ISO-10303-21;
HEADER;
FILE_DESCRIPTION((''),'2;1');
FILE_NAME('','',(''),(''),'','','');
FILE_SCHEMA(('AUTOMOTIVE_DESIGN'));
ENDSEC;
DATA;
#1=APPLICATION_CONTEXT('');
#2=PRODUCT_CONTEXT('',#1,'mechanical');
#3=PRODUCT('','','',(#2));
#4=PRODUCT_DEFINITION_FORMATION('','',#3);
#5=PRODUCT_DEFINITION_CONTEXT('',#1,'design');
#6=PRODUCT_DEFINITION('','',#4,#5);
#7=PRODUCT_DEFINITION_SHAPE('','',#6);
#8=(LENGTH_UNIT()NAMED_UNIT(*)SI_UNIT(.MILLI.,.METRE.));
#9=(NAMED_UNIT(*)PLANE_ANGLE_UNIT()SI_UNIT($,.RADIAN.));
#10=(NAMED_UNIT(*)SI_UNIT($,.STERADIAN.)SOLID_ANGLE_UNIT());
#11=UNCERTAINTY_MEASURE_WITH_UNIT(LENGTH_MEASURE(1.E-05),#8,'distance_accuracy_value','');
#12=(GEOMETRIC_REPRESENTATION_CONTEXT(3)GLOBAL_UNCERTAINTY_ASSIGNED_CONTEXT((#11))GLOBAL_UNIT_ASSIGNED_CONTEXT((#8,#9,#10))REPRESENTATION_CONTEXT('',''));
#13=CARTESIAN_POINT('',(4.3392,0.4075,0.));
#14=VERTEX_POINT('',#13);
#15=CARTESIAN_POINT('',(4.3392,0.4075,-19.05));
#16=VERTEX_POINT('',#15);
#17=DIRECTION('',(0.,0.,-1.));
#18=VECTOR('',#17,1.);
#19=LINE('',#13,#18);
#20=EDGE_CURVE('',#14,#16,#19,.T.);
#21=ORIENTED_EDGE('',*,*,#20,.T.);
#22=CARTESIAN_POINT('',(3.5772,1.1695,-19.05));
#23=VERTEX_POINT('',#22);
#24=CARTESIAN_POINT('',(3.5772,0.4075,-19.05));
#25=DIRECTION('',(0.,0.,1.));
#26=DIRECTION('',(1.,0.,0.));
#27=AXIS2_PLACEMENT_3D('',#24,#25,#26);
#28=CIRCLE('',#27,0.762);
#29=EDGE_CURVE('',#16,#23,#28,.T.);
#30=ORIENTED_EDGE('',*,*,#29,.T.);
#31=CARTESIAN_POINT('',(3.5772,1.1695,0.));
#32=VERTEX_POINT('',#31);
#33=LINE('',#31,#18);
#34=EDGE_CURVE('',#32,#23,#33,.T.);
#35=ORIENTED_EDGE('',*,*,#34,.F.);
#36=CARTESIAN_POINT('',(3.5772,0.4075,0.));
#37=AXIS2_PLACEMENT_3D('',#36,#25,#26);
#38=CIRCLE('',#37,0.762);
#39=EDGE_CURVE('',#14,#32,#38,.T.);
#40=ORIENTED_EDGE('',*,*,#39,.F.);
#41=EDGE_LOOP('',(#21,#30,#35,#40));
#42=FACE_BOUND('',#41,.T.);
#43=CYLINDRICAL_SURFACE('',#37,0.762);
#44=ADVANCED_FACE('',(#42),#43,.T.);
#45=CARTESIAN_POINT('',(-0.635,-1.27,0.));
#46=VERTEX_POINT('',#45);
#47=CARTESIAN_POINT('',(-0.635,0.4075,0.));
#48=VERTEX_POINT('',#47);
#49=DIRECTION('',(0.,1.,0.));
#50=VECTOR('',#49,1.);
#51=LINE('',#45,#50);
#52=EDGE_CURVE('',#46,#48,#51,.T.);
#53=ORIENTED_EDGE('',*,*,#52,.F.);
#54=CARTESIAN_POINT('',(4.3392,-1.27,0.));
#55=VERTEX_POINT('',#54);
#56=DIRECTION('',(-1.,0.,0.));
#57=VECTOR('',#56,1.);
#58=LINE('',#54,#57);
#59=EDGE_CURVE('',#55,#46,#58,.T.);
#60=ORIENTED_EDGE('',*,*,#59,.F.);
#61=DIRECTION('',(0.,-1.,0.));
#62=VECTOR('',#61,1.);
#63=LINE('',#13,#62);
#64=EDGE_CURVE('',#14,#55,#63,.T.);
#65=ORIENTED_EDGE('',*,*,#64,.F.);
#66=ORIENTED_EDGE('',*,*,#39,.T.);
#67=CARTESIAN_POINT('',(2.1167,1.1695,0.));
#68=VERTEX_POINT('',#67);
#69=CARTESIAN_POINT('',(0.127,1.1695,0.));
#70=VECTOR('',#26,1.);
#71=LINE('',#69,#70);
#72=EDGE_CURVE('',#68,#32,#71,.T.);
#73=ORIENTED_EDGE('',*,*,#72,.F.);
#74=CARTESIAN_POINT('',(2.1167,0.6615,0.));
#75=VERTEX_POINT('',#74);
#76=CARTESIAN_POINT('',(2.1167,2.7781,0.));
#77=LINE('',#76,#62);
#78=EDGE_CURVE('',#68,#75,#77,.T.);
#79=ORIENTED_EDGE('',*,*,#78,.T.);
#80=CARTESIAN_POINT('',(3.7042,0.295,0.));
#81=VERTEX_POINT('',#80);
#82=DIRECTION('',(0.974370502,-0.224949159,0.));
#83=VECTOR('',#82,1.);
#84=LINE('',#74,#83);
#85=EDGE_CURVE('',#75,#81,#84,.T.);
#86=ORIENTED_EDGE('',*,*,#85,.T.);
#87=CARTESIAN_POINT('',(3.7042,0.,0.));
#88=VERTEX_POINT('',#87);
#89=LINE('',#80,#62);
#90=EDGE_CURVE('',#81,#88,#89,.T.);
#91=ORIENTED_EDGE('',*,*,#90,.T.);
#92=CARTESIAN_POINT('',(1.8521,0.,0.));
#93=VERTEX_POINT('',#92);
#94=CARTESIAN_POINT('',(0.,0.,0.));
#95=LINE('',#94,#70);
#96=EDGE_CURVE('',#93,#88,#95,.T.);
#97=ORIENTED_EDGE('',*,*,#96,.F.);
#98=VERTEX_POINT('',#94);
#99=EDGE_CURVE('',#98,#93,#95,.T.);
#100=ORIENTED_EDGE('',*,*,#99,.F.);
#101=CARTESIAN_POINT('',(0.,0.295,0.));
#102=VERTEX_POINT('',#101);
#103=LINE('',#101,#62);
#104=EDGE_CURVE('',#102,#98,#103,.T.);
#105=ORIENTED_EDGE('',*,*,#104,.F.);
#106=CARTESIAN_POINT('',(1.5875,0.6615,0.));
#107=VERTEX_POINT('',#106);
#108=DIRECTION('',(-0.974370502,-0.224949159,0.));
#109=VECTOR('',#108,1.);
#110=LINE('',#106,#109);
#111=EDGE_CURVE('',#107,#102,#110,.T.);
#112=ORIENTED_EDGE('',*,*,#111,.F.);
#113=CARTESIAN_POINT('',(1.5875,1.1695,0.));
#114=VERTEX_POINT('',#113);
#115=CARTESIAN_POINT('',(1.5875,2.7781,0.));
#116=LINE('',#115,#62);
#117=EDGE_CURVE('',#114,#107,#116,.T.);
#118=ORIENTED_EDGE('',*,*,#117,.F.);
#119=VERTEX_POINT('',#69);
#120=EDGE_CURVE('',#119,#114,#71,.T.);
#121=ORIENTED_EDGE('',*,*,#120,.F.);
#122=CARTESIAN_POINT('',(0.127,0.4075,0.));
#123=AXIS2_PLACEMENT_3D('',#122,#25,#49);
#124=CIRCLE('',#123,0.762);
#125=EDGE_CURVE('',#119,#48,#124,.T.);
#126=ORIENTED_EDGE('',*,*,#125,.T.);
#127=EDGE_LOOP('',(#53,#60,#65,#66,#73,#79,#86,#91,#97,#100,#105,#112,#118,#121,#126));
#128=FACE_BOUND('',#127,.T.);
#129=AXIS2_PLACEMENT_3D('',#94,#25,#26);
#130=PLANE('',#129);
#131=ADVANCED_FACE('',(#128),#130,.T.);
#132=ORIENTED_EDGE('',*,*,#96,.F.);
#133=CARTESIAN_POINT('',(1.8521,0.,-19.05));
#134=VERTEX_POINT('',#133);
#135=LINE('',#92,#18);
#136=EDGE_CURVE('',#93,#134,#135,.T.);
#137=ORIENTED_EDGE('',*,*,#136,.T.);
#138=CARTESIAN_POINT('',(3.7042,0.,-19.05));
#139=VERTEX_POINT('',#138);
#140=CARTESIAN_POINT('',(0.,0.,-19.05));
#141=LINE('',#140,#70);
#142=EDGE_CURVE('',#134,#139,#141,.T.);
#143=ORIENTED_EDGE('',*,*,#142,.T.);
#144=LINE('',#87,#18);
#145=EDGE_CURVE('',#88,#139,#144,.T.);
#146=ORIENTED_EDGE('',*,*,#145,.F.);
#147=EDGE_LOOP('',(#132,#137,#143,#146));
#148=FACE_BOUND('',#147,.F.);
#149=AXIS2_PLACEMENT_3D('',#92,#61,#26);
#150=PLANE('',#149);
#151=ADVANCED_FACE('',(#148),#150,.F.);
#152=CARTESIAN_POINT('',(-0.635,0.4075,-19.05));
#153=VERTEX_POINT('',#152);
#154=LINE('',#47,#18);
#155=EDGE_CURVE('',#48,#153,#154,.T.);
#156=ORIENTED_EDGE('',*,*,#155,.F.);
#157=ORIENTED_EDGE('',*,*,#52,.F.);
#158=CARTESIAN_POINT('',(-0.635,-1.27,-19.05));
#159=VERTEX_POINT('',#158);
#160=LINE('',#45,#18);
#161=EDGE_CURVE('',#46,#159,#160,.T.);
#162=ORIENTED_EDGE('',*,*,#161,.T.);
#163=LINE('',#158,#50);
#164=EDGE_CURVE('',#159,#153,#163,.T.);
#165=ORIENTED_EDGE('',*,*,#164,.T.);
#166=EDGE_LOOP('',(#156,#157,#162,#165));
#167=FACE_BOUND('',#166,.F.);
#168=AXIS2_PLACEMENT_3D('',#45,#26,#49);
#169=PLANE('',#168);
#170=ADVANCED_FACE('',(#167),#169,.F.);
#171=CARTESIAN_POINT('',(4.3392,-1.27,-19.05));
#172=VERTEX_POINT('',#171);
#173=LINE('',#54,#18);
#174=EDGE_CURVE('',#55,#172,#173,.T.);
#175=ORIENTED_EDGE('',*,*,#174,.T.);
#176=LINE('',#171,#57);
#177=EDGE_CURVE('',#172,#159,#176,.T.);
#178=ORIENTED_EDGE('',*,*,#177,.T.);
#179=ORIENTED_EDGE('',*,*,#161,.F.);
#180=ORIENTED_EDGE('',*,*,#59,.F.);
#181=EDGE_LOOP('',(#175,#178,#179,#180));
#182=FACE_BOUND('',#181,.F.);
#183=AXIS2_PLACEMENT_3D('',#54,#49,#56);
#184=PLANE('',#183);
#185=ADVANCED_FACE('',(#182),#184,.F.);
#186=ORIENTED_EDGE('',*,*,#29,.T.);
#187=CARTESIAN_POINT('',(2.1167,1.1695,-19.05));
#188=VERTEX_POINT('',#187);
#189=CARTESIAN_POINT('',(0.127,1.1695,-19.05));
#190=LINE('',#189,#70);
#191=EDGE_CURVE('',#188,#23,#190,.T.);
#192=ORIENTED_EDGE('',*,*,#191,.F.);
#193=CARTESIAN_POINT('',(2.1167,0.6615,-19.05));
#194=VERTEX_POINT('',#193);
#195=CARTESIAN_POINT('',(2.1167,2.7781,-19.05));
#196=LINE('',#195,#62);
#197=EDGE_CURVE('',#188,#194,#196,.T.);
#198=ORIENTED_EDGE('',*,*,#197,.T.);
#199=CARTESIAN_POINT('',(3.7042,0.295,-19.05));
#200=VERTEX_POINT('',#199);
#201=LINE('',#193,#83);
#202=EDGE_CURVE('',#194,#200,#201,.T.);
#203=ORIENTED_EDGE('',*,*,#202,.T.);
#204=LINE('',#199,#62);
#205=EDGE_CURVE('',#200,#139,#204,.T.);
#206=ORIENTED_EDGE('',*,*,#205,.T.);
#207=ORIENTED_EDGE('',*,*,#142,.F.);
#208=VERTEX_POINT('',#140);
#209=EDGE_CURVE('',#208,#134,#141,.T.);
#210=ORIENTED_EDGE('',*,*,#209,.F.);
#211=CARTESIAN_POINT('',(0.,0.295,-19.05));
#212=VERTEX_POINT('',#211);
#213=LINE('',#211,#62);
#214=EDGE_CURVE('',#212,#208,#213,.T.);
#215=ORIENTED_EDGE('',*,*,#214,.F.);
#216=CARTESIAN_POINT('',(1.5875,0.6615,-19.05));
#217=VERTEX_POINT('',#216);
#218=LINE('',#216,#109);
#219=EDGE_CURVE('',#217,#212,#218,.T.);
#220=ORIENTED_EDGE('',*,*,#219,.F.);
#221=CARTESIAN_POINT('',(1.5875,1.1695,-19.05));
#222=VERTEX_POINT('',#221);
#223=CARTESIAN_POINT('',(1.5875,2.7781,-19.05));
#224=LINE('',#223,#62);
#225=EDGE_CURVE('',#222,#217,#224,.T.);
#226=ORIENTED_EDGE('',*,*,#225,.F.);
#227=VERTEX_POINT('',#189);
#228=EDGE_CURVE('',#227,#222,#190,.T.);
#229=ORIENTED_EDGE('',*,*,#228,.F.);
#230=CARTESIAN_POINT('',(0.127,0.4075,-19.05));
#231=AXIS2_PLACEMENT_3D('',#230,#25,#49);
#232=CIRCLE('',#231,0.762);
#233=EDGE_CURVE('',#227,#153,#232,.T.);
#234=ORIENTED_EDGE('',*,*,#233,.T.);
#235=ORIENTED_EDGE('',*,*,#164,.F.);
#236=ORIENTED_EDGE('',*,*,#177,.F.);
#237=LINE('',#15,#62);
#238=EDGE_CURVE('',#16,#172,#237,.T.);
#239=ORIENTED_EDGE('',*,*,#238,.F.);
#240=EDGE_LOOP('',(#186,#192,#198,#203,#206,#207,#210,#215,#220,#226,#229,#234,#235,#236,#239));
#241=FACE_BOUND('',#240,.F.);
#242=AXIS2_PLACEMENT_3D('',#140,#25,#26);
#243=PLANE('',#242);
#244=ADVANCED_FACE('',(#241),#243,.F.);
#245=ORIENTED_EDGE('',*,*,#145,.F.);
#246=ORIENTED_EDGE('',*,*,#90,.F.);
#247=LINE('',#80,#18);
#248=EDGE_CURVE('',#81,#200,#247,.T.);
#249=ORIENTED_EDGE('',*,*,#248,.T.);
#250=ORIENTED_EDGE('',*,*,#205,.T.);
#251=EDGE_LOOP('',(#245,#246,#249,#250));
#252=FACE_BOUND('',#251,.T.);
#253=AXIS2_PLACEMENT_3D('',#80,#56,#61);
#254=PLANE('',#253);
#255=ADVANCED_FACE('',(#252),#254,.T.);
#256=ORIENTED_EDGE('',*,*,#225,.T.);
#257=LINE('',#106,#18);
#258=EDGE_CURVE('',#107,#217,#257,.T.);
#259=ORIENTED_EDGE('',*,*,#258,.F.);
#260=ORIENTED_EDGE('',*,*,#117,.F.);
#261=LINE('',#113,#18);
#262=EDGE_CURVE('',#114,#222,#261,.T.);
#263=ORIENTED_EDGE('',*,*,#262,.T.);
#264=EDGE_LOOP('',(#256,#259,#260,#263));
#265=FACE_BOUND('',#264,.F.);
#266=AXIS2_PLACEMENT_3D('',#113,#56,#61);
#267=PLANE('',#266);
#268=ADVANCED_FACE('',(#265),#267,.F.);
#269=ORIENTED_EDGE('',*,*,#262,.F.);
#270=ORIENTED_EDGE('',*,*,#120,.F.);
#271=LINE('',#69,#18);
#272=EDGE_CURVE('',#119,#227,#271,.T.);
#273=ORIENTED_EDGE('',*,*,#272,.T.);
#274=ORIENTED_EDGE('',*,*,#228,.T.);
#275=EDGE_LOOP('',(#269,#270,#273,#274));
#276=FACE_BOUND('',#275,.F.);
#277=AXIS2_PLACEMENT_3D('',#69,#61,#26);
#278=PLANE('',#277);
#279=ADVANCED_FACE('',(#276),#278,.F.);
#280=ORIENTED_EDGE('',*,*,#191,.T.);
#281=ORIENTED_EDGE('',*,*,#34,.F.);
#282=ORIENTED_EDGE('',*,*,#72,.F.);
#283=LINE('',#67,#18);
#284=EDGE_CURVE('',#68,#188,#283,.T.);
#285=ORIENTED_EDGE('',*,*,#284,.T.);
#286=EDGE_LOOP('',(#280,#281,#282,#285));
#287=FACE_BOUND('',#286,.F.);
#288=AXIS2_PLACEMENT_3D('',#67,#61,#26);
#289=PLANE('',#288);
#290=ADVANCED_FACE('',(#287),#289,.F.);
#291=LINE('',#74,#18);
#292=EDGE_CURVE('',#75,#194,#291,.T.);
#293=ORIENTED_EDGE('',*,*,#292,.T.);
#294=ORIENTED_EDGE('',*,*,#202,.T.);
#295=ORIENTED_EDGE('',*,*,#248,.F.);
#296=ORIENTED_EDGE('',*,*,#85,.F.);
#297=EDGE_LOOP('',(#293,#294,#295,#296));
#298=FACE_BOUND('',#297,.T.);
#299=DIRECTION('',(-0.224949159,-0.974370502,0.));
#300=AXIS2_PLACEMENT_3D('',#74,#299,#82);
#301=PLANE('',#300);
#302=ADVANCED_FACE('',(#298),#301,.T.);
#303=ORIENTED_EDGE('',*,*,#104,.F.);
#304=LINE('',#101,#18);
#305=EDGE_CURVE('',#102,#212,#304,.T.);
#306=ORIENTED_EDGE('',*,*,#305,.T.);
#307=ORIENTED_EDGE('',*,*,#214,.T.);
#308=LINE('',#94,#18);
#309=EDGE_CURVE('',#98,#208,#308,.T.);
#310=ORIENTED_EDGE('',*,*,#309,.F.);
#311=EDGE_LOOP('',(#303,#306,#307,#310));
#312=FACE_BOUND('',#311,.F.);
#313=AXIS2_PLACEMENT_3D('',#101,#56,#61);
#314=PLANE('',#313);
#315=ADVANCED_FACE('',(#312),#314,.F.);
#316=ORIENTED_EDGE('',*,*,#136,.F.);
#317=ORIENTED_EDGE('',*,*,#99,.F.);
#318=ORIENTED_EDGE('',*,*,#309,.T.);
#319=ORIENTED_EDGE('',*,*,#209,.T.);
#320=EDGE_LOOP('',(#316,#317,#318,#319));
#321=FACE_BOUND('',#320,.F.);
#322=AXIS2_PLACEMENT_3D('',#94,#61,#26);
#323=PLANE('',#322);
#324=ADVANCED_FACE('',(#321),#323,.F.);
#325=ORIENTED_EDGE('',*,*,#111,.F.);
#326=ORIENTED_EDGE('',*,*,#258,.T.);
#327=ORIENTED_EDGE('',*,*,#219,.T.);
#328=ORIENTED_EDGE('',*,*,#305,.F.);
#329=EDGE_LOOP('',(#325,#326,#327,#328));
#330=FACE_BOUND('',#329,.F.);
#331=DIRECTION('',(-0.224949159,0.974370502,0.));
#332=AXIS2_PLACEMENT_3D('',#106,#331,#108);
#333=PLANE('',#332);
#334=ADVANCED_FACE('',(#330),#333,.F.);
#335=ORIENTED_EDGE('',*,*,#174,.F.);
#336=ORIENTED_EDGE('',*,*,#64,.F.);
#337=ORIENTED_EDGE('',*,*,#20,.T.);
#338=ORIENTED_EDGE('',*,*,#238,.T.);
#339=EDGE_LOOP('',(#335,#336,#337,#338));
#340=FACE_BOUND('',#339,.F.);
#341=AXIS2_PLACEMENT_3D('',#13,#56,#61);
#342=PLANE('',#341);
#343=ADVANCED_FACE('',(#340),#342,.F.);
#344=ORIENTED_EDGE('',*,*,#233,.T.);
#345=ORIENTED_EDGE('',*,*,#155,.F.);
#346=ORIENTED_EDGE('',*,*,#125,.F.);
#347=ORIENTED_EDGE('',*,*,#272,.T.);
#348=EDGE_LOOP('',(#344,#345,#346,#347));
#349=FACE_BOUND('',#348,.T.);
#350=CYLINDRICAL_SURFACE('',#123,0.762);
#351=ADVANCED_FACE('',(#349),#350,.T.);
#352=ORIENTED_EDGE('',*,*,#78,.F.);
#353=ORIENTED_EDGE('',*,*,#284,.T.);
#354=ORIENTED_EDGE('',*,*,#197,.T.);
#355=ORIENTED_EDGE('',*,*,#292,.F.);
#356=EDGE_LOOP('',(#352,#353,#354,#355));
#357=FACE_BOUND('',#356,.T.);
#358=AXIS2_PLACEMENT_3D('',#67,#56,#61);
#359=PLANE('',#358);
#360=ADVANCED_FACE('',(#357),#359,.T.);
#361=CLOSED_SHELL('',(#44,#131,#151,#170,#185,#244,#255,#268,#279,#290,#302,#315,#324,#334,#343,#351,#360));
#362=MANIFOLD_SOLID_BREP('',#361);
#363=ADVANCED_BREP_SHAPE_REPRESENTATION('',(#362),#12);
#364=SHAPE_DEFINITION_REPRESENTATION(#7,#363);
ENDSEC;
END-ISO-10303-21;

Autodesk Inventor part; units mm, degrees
ref_plane "YZ Plane" through (0, 0, 0) normal (1, 0, 0) x (0, 1, 0)
ref_plane "XZ Plane" through (0, 0, 0) normal (0, 1, 0) x (-1, 0, 0)
ref_plane "XY Plane" through (0, 0, 0) normal (0, 0, 1) x (1, 0, 0)
sketch "Sketch1" plane through (0, 0, 0) normal (0, 0, 1) x (1, 0, 0)
  line L0 (0, 0) -> (3.7042, 0)
  line L1 (1.8521, 0) -> (1.8521, 0.6615)
  line L2 (1.8521, 0.6615) -> (2.1167, 0.6615)
  line L3 (2.1167, 0.6615) -> (3.7042, 0.295)
  line L4 (3.7042, 0.295) -> (3.7042, 0)
  line L5 (1.8521, 0.6615) -> (1.8521, 2.7781)
  line L6 (1.8521, 2.7781) -> (2.1167, 2.7781)
  line L7 (2.1167, 2.7781) -> (2.1167, 0.6615)
  line L8 (1.8521, 2.7781) -> (1.8521, 3.8365)
  line L9 (1.8521, 3.8365) -> (2.8549, 3.8365)
  line L10 (2.1167, 2.7781) -> (3.1089, 3.0072)
  line L11 (2.1167, 2.7781) -> (3.135, 2.7781) construction
  line L12 (3.1089, 3.5825) -> (3.1089, 3.0072)
  arc A0 (3.1089, 3.5825) -> (2.8549, 3.8365) centre (2.8549, 3.5825) ccw
  line L13 (3.7042, 0) -> (0, 0)
  line L14 (1.8521, 0.6615) -> (1.5875, 0.6615)
  line L15 (1.5875, 0.6615) -> (0, 0.295)
  line L16 (0, 0.295) -> (0, 0)
  line L17 (1.8521, 2.7781) -> (1.5875, 2.7781)
  line L18 (1.5875, 2.7781) -> (1.5875, 0.6615)
  line L19 (1.8521, 3.8365) -> (0.8493, 3.8365)
  line L20 (1.5875, 2.7781) -> (0.5953, 3.0072)
  line L21 (1.5875, 2.7781) -> (0.5692, 2.7781) construction
  line L22 (0.5953, 3.5825) -> (0.5953, 3.0072)
  arc A1 (0.8493, 3.8365) -> (0.5953, 3.5825) centre (0.8493, 3.5825) ccw
  line L23 (0.127, 1.1695) -> (3.5772, 1.1695)
  line L24 (4.3392, 0.4075) -> (4.3392, -1.27)
  line L25 (4.3392, -1.27) -> (-0.635, -1.27)
  line L26 (-0.635, -1.27) -> (-0.635, 0.4075)
  arc A2 (4.3392, 0.4075) -> (3.5772, 1.1695) centre (3.5772, 0.4075) ccw
  arc A3 (0.127, 1.1695) -> (-0.635, 0.4075) centre (0.127, 0.4075) ccw
  point P0 (1.5875, 1.1695)
  point P1 (2.1167, 1.1695)
  dimension "d3" = 0.6615
  dimension "d4" = 0.2646
  dimension "d5" = 167
  dimension "d6" = 2.1167
  dimension "d7" = 1.0583
  dimension "d9" = 13
  dimension "d10" = 0.254
  dimension "d13" = 1.27
  dimension "d14" = 0.508
  dimension "d15" = 0.635
  dimension "d16" = 0.635
  dimension "d17" = 0.762
extrude "Extrusion1" add sketch "Sketch1" against normal blind 19.05 contours L0 L4 L3 L7 L23 A2 L24 L25 L26 A3 L18 L15 L16
properties part number "Rail48in"
